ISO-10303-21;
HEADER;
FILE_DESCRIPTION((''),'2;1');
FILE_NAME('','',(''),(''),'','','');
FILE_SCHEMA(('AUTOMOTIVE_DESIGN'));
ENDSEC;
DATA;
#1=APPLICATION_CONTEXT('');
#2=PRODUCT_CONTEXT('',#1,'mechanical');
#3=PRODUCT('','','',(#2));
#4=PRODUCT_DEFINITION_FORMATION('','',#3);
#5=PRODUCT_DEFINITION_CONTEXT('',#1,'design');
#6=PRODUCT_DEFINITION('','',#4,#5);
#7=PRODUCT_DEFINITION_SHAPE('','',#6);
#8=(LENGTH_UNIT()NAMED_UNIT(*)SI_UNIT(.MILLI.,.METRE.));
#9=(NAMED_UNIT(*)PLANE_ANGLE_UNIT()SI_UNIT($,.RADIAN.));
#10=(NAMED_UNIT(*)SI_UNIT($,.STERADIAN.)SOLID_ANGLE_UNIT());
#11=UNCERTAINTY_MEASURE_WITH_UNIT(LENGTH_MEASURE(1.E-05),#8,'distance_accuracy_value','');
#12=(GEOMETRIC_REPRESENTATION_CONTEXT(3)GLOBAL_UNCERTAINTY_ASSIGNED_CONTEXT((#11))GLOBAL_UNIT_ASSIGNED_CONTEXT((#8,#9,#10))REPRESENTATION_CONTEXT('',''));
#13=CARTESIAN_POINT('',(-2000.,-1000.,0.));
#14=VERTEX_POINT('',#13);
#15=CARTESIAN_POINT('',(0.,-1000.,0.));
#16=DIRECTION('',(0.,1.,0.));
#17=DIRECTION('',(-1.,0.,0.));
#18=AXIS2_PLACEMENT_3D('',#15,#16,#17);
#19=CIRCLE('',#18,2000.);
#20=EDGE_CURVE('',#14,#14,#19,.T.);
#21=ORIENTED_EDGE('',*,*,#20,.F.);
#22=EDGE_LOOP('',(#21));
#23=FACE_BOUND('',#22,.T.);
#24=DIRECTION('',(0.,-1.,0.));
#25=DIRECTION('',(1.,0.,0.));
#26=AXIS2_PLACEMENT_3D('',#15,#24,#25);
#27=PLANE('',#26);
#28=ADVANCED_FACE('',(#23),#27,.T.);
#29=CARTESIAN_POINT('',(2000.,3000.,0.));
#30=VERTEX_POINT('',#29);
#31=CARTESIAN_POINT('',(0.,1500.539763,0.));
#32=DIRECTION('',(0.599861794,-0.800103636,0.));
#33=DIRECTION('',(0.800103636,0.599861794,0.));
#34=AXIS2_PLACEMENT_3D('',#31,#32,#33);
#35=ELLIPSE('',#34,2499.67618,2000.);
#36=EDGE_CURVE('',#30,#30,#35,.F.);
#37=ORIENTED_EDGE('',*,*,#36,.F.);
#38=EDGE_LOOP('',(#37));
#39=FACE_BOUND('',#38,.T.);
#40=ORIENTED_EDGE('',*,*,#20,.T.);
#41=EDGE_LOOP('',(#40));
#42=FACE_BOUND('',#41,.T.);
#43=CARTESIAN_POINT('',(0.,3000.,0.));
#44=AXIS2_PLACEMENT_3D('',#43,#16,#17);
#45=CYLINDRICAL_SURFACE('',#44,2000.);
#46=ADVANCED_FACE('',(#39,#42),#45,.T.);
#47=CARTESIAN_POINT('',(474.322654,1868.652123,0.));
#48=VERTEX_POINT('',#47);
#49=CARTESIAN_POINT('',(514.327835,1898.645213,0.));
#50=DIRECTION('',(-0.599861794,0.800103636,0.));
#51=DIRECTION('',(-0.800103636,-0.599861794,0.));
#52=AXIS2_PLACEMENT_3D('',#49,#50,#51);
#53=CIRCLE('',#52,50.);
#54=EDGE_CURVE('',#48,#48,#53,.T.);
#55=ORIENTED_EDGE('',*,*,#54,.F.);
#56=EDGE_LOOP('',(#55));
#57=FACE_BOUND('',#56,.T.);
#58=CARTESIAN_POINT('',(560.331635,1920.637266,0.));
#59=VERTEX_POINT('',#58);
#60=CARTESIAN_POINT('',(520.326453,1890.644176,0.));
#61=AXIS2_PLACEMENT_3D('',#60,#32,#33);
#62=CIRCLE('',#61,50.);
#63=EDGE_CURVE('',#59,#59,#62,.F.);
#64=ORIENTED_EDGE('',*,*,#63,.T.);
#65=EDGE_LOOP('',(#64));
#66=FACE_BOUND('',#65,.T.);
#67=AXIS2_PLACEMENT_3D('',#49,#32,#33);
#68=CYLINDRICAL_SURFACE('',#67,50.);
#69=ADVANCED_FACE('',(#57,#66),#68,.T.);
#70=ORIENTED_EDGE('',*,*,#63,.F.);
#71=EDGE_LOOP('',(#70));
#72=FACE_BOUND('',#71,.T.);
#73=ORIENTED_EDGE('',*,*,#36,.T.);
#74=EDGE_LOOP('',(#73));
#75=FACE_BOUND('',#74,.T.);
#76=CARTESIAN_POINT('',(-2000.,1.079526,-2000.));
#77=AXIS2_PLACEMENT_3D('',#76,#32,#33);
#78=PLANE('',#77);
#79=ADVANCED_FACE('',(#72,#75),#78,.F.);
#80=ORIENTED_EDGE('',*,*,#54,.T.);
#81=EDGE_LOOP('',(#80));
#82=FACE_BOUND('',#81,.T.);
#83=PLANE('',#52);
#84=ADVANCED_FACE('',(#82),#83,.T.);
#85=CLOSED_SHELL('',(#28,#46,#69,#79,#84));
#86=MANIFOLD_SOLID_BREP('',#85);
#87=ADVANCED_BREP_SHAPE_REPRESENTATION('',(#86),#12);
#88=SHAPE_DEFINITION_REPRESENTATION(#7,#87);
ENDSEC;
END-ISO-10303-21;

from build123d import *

# Parameters (mm, degrees)
SKETCH1_W               = 2000
SKETCH1_H               = 4000
CUT_EXTRUDE1_DEPTH      = 4124.105625618
CUT_EXTRUDE1_DEPTH_BACK = 4124.105625618
SKETCH3_R               = 50
BOSS_EXTRUDE1_DEPTH     = 10


with BuildPart() as part:
    # Sketch1 → Revolve1 (revolve)
    with BuildSketch(Plane.XY):
        with Locations((-1000, 1000)):
            Rectangle(SKETCH1_W, SKETCH1_H)
    revolve(axis=Axis((0, 3000, 0), (0, -1, 0)))

    # Sketch2 → Cut-Extrude1 (cut, two sides: drawn at the far end of the back side and taken through both)
    with BuildSketch(Plane.XY.offset(-CUT_EXTRUDE1_DEPTH_BACK)):
        Polygon((2000, 3000), (-2000, 3000), (-2000, 1.079525824), align=None)
    extrude(amount=CUT_EXTRUDE1_DEPTH + CUT_EXTRUDE1_DEPTH_BACK, mode=Mode.SUBTRACT)

    # Sketch3 → Boss-Extrude1 (add)
    with BuildSketch(Plane(origin=(-720.186463571, 960.594280205, 0), x_dir=(0.8001036359678502, 0.5998617938417364, 0), z_dir=(-0.5998617938417364, 0.8001036359678502, 0))):
        with Locations((1550.440294361, 0)):
            Circle(SKETCH3_R)
    extrude(amount=BOSS_EXTRUDE1_DEPTH)


solid = part.part
